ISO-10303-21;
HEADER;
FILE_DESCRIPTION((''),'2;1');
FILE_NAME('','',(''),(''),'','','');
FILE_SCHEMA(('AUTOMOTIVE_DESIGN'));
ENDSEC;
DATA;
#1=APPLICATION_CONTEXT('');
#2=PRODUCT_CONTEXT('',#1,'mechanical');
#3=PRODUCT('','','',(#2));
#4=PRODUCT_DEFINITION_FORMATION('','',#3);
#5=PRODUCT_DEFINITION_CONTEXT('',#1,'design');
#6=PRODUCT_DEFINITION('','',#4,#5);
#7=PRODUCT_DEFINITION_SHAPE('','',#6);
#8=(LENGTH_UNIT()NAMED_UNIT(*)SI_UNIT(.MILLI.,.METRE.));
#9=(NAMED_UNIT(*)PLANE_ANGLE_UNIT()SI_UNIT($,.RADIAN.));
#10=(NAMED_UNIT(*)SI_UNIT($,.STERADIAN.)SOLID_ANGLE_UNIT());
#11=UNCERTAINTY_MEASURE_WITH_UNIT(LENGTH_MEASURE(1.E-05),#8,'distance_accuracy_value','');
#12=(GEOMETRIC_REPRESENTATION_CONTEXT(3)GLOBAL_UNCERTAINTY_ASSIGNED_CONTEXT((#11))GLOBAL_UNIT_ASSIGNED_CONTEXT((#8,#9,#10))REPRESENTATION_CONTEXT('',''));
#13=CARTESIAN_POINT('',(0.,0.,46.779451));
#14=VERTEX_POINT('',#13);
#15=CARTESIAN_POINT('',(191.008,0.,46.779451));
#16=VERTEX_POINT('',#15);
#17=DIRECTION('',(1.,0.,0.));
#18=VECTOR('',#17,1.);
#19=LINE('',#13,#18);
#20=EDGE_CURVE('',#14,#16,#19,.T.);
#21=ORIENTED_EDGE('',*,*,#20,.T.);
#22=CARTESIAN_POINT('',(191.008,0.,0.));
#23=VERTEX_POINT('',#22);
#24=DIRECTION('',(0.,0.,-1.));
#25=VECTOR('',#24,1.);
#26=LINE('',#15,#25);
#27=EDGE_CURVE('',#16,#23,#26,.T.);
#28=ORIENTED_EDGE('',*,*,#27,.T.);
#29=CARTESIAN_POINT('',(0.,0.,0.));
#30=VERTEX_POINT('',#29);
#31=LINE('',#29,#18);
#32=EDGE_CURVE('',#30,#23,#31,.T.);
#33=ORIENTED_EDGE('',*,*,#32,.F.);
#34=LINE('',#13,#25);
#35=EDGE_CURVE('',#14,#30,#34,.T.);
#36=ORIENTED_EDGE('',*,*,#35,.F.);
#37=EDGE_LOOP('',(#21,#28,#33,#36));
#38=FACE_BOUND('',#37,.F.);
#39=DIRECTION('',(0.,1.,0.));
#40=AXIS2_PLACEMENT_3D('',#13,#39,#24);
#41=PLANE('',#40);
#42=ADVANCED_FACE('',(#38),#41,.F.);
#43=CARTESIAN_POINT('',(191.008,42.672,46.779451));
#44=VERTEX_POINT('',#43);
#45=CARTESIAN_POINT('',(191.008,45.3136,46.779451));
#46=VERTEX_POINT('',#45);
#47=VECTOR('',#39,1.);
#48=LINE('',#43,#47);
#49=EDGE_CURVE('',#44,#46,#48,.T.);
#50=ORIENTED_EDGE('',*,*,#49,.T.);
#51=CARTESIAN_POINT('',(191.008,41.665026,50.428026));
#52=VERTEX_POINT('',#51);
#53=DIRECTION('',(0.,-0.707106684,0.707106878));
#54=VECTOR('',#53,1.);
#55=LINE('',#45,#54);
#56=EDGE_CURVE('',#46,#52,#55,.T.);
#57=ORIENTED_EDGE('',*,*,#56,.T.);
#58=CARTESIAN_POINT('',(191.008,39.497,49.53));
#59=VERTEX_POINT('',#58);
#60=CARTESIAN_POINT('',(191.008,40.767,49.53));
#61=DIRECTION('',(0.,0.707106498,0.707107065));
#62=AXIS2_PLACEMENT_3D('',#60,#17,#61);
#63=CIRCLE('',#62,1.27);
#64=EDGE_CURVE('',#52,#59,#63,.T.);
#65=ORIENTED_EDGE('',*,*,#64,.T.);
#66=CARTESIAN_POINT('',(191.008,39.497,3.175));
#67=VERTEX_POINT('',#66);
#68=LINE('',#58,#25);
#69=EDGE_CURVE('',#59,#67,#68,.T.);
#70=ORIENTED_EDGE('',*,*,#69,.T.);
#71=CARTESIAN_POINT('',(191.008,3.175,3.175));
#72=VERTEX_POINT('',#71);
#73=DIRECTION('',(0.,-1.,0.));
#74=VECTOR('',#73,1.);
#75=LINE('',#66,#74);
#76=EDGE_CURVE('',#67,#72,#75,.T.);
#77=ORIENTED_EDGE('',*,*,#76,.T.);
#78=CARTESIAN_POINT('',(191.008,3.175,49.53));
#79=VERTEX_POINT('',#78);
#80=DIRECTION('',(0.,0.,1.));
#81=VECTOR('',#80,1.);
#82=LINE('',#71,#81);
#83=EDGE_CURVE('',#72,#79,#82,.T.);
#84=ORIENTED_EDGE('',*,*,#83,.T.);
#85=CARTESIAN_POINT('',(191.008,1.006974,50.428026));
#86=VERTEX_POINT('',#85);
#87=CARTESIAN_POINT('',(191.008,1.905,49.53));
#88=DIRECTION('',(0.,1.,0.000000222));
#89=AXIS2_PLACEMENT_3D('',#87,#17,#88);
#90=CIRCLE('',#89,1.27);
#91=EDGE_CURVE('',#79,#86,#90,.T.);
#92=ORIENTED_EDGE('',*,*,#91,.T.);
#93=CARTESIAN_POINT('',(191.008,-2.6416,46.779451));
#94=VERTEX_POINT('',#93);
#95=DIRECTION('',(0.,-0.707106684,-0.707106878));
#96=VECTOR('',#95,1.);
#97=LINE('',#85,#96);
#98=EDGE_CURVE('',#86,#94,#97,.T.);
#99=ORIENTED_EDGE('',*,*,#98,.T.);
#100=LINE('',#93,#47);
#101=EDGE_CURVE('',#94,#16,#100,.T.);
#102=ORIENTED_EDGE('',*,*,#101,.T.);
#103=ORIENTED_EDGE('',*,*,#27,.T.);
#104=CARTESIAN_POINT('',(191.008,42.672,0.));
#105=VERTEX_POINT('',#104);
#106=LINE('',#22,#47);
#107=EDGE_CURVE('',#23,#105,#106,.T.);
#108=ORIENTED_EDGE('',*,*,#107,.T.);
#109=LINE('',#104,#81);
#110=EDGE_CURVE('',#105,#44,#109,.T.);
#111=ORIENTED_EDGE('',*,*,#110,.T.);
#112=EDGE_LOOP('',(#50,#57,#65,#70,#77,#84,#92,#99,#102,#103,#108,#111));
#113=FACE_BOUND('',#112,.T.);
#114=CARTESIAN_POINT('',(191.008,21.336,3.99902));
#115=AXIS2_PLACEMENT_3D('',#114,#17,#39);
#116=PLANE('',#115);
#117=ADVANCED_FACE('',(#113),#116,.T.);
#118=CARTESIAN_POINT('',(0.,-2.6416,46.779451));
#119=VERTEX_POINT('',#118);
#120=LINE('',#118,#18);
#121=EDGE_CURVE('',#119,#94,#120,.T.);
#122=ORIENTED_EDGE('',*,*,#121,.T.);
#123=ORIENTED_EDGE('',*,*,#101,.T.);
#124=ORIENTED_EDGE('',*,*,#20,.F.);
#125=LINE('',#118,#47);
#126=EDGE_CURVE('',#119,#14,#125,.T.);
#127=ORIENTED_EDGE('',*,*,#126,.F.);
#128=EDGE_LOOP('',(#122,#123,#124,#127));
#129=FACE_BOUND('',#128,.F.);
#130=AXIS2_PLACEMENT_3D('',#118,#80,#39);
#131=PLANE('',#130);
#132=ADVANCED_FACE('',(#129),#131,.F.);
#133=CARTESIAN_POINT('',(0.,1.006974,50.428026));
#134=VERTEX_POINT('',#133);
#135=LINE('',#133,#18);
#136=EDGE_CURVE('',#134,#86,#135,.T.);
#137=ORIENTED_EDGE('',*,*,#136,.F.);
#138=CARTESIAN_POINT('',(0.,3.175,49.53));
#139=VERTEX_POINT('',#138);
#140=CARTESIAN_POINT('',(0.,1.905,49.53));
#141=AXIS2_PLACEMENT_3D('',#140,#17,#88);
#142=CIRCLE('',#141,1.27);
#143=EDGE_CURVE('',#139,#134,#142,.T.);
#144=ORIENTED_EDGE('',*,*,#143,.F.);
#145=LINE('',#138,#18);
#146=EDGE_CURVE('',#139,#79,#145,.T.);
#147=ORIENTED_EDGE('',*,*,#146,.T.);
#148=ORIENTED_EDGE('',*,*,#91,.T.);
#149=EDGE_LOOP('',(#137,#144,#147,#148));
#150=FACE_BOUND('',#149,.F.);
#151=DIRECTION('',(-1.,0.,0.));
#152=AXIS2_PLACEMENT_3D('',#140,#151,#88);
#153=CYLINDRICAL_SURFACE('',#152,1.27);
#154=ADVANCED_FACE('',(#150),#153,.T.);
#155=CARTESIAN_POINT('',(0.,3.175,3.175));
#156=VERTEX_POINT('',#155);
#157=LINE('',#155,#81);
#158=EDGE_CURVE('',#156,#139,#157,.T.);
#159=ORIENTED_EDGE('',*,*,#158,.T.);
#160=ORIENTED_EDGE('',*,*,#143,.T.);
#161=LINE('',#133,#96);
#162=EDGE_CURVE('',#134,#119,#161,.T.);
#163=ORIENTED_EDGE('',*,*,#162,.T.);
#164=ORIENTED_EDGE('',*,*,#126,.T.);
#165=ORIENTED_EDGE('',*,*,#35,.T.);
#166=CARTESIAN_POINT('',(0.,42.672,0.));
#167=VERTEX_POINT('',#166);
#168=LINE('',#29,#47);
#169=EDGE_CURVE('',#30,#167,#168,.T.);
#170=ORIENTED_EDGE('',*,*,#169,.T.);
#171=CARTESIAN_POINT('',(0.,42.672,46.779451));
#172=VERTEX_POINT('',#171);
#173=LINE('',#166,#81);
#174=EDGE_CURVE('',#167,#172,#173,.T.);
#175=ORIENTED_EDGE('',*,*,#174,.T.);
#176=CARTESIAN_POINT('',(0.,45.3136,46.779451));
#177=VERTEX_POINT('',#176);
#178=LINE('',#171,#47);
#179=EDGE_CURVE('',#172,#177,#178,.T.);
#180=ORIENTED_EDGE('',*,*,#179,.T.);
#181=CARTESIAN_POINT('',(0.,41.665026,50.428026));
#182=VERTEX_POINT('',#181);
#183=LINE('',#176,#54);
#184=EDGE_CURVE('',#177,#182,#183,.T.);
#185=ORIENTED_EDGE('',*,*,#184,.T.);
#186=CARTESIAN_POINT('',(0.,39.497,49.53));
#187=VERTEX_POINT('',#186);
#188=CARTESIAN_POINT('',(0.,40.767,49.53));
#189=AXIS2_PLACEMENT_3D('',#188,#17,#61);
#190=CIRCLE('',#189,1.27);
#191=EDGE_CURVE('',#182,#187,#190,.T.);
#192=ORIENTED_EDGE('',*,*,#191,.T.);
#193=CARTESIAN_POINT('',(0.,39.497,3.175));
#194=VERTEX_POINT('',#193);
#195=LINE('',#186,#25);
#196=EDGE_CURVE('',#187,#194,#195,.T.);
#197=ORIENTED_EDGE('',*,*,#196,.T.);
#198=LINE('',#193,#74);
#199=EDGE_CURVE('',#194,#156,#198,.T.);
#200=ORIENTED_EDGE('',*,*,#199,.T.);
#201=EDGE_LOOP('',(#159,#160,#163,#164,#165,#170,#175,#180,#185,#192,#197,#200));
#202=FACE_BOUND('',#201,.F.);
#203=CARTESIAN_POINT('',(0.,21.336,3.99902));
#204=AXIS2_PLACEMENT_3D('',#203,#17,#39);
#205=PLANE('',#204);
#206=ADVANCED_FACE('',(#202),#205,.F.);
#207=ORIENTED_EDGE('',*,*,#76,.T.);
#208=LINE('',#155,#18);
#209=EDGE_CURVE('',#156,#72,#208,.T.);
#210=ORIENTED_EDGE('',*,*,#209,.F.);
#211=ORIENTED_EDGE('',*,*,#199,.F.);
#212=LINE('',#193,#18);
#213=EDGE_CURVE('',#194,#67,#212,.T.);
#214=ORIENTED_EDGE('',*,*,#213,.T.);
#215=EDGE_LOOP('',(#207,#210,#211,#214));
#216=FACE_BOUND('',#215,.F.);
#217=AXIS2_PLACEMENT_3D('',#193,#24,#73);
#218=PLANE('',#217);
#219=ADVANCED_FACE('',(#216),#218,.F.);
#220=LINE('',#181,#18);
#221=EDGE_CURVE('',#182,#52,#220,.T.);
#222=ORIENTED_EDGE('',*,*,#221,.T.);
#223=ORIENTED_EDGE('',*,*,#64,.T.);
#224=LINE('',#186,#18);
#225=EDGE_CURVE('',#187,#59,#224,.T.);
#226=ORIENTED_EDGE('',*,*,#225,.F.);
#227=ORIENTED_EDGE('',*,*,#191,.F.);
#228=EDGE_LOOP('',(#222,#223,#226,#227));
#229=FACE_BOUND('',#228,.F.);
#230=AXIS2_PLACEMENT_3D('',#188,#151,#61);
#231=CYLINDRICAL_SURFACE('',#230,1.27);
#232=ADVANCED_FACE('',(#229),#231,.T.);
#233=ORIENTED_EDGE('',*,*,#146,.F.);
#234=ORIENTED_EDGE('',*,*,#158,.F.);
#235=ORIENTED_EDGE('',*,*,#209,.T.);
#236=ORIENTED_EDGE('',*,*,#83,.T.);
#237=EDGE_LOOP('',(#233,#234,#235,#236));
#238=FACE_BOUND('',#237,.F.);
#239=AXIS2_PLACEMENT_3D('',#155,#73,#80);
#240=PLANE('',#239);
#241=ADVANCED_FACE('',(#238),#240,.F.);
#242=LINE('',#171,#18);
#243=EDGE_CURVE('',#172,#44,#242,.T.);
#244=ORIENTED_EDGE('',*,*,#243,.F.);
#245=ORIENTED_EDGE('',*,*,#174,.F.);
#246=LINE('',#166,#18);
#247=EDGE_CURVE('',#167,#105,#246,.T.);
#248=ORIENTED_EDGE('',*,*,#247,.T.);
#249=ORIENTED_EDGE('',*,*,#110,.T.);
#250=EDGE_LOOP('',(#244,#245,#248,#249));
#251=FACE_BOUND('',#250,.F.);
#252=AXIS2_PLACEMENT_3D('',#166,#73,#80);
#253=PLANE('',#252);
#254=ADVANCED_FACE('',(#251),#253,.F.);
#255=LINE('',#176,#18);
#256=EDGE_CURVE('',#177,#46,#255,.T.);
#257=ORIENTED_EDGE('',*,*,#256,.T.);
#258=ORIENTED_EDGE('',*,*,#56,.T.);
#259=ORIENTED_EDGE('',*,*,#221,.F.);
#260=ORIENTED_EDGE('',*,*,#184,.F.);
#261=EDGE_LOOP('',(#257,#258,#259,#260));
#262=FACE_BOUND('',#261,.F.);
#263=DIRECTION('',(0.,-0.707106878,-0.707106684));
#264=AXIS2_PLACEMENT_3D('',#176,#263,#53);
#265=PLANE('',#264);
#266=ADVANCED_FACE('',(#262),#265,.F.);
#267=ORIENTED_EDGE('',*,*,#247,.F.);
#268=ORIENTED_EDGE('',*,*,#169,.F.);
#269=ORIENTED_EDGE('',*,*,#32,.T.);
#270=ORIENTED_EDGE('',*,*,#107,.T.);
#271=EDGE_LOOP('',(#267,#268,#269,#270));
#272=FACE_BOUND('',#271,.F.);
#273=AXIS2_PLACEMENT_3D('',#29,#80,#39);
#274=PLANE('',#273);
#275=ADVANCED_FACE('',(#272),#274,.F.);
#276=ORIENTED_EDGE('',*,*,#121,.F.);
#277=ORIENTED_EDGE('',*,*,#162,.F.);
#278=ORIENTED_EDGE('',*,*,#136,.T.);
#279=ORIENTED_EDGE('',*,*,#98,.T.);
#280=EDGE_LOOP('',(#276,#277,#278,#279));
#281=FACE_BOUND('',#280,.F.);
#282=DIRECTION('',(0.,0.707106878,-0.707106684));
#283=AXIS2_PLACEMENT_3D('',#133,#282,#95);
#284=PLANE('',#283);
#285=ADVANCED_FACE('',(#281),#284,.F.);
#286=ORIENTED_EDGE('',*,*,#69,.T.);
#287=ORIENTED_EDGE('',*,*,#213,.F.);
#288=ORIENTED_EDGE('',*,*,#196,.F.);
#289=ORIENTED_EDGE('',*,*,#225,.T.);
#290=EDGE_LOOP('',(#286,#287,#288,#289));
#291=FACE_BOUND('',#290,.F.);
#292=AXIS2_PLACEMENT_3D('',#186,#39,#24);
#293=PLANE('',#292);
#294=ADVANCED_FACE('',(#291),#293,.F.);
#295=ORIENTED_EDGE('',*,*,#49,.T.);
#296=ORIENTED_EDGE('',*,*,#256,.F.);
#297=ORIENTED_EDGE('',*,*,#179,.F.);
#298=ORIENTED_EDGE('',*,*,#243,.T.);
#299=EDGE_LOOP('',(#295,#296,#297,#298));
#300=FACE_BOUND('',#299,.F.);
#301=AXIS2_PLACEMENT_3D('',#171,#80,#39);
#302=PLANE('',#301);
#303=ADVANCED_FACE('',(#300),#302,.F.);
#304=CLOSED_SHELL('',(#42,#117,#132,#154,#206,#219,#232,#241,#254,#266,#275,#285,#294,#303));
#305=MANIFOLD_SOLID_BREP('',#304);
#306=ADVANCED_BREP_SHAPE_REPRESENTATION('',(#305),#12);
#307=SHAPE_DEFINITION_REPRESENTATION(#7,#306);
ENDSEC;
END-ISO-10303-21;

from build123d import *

# Parameters (mm, degrees)
F0_W     = 3.175
F0_H     = 31.496
F1_DEPTH = 191.008


with BuildPart() as f1:
    # F0 (on Right) → F1 (new body)
    with BuildSketch(Plane.YZ):
        Polygon((0, 12.954), (0, 0), (42.672, 0), (42.672, 12.954), (39.497, 12.954), (39.497, 3.175), (3.175, 3.175), (3.175, 12.954), align=None)
        with Locations((1.5875, 28.702)):
            Rectangle(F0_W, F0_H)
        with Locations((41.0845, 28.702)):
            Rectangle(F0_W, F0_H)
        with BuildLine():
            Line((0, 46.779451), (0, 44.45))
            Line((0, 44.45), (3.175, 44.45))
            Line((3.175, 44.45), (3.175, 49.53))
            ThreePointArc((3.175, 49.53), (2.391008, 50.703327), (1.006974, 50.428026))
            Line((1.006974, 50.428026), (-2.6416, 46.779451))
            Line((-2.6416, 46.779451), (0, 46.779451))
        make_face()
        with BuildLine():
            Line((39.497, 44.45), (42.672, 44.45))
            Line((42.672, 44.45), (42.672, 46.779451))
            Line((42.672, 46.779451), (45.3136, 46.779451))
            Line((45.3136, 46.779451), (41.665026, 50.428026))
            ThreePointArc((41.665026, 50.428026), (40.280992, 50.703327), (39.497, 49.53))
            Line((39.497, 49.53), (39.497, 44.45))
        make_face()
    extrude(amount=F1_DEPTH)


solid = f1.part
